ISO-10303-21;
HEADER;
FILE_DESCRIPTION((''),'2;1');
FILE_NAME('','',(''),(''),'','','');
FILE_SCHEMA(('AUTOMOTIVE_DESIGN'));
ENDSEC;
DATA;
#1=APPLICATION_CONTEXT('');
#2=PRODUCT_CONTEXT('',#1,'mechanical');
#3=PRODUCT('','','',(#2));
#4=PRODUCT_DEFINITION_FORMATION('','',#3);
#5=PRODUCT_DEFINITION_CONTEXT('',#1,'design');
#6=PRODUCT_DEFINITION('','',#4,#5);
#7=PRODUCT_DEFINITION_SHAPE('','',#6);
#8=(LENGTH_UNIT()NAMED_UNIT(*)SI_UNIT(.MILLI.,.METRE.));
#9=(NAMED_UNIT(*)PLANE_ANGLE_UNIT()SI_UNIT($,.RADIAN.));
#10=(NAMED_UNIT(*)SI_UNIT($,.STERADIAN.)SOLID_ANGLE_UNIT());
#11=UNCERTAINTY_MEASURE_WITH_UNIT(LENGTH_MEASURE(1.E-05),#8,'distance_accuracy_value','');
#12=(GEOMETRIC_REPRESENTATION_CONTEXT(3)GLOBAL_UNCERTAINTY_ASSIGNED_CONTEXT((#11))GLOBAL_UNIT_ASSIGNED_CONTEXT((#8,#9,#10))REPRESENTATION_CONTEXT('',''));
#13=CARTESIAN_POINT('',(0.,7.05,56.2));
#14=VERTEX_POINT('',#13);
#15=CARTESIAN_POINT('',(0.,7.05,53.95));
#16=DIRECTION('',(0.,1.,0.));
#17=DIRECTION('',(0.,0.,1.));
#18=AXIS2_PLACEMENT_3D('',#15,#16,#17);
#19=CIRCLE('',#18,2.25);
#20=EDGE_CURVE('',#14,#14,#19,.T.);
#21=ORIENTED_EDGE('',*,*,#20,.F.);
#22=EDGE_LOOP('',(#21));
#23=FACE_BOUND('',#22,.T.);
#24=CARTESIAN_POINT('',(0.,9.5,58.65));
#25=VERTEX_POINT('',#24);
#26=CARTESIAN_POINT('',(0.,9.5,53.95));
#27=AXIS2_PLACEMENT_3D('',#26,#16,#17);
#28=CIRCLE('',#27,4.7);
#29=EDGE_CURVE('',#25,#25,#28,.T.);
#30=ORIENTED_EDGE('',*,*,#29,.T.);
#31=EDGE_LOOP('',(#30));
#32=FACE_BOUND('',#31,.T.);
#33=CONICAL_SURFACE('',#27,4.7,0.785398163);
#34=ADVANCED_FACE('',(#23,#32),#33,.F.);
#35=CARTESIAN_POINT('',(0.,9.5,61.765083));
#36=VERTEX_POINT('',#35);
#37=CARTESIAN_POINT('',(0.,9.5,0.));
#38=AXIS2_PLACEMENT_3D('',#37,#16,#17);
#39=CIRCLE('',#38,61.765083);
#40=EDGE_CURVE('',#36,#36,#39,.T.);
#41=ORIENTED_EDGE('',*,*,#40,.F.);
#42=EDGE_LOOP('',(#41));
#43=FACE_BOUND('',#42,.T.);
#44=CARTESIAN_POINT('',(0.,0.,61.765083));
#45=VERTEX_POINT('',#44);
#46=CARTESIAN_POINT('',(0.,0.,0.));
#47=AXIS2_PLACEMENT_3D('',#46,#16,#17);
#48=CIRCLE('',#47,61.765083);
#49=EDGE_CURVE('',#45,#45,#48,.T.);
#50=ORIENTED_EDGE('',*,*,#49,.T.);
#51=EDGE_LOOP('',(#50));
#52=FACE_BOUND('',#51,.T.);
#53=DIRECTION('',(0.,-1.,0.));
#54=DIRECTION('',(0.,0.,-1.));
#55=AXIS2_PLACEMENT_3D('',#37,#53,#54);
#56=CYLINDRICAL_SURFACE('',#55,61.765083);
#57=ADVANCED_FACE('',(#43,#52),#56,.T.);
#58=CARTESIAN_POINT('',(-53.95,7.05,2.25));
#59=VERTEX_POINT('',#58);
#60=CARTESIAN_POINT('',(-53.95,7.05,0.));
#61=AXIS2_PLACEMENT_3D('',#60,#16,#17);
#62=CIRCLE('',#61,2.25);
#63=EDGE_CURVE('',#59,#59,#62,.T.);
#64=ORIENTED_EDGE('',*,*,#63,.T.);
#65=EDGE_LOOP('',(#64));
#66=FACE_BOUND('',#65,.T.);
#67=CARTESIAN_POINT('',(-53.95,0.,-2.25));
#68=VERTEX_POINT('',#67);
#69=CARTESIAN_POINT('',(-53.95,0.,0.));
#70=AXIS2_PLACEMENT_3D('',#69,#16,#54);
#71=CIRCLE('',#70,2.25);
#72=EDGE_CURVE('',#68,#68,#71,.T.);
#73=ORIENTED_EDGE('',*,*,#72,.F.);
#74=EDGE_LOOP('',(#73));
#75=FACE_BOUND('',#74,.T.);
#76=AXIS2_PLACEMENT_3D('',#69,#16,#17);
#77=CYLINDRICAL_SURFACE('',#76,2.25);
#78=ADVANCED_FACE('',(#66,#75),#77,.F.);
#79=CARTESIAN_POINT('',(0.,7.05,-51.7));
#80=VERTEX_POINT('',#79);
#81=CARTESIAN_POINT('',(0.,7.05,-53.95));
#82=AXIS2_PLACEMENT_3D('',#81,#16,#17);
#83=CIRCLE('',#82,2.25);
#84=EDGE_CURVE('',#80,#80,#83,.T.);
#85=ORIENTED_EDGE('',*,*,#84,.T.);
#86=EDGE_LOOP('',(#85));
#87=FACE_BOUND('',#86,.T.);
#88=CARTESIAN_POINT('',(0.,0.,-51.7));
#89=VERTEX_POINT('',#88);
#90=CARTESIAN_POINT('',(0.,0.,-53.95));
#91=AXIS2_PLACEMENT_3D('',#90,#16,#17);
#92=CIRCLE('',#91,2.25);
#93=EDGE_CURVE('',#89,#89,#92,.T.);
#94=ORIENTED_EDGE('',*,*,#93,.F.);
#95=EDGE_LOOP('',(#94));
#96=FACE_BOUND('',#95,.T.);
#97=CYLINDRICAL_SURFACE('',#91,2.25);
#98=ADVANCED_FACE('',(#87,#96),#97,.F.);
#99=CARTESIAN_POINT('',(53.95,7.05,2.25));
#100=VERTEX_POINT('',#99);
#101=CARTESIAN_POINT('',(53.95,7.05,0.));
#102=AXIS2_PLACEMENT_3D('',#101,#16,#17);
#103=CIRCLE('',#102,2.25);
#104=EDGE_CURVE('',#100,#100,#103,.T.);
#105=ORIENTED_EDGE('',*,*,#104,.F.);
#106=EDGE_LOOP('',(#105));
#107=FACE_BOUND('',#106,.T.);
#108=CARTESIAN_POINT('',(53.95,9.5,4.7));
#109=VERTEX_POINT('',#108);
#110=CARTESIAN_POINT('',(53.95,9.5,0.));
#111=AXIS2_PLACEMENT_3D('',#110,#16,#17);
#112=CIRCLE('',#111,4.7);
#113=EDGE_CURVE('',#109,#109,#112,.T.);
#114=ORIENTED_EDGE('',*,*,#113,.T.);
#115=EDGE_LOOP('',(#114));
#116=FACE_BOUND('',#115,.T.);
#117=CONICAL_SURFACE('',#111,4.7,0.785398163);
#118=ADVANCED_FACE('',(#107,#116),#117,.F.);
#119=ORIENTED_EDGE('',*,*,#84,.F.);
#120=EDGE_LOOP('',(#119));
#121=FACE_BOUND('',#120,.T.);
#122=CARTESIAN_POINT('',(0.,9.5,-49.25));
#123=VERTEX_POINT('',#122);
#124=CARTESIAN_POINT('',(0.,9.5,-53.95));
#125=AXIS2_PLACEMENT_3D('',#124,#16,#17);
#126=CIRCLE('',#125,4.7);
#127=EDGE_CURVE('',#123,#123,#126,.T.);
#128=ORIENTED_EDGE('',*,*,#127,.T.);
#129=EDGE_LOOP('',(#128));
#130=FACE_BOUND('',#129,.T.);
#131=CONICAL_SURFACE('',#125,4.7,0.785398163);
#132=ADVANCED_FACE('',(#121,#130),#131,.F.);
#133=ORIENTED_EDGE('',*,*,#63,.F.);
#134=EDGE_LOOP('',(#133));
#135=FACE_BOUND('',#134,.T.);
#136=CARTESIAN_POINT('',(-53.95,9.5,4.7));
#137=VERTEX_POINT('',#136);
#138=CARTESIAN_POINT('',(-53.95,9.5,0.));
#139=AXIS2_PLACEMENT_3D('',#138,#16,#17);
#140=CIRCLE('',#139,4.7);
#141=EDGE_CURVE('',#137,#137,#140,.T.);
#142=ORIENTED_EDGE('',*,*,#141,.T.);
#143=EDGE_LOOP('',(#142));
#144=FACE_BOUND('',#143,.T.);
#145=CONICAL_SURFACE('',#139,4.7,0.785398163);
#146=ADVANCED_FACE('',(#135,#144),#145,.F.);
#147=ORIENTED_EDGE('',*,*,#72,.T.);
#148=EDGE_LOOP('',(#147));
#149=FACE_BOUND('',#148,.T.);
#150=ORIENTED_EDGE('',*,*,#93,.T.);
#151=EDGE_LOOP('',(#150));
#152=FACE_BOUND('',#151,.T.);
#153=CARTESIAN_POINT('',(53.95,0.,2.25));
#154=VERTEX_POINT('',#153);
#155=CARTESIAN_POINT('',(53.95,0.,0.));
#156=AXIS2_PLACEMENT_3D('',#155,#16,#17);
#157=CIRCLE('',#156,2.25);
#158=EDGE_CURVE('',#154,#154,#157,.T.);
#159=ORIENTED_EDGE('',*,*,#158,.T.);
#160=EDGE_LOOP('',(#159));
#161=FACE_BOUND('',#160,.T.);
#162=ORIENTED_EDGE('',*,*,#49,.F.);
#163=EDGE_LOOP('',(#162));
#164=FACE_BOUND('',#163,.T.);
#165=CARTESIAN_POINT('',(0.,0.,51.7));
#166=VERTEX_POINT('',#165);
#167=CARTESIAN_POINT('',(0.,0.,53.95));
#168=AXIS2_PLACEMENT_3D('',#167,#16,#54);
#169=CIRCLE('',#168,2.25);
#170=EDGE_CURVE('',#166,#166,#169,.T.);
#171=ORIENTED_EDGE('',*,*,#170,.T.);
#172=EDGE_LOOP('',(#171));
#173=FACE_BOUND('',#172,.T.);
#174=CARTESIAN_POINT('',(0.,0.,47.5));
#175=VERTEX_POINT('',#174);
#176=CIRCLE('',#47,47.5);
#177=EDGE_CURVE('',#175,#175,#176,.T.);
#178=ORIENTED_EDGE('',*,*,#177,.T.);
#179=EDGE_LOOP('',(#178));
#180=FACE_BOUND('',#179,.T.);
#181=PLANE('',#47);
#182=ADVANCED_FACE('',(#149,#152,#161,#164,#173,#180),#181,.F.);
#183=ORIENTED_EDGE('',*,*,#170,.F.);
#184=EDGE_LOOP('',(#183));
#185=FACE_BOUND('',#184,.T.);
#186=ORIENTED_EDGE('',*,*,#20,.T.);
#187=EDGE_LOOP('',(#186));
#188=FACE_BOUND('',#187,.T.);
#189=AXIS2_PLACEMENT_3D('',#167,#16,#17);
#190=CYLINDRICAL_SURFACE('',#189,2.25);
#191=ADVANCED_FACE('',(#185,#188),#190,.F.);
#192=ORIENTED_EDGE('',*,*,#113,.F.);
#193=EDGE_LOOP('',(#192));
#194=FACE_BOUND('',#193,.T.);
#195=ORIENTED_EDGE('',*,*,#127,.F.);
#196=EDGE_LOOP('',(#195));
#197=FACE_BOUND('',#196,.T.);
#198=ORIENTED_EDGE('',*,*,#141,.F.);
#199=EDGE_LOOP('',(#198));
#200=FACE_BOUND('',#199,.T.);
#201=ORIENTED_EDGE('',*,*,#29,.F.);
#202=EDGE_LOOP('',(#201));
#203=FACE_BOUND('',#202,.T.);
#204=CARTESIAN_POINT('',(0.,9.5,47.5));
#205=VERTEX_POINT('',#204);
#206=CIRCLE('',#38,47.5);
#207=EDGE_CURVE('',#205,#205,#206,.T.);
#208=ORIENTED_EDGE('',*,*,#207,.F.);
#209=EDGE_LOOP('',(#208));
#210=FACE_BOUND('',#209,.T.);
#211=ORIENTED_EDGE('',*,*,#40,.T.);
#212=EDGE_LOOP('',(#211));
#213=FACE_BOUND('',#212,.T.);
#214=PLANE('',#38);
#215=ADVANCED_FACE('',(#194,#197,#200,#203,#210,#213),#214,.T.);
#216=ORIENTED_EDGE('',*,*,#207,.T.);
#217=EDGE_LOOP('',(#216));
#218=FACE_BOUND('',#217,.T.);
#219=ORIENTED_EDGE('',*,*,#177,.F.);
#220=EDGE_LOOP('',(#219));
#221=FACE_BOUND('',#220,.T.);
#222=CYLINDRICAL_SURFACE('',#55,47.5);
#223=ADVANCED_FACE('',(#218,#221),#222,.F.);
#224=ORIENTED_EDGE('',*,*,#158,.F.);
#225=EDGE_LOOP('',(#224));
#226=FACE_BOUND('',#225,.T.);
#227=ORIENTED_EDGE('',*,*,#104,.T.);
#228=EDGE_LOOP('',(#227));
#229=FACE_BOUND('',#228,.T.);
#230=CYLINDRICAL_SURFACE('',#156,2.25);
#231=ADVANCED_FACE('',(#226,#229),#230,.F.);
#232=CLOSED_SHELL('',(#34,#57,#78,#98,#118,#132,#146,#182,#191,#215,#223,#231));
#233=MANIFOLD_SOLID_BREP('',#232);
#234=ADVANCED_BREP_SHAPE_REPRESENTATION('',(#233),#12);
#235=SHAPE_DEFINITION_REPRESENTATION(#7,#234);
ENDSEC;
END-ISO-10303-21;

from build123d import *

# Parameters (mm, degrees)
SKETCH1_R                                           = 61.765082955
SKETCH1_R_2                                         = 47.5
BOSS_EXTRUDE1_DEPTH                                 = 9.5
SKETCH7_R                                           = 2.25
CUT_EXTRUDE1_DEPTH                                  = 9.5
CSK_FOR_M4_COUNTERSUNK_FLAT_HEAD_SCREW1_D           = 4.5
CSK_FOR_M4_COUNTERSUNK_FLAT_HEAD_SCREW1_CSINK_D     = 9.4
CSK_FOR_M4_COUNTERSUNK_FLAT_HEAD_SCREW1_CSINK_ANGLE = 90


with BuildPart() as part:
    # Sketch1 → Boss-Extrude1 (new body)
    with BuildSketch(Plane(origin=(0, 0, 0), x_dir=(1, 0, 0), z_dir=(0, 1, 0))):
        with Locations(Location((0, 0, 0), (0, 0, 270))):
            Circle(SKETCH1_R)
        with Locations(Location((0, 0, 0), (0, 0, 270))):
            Circle(SKETCH1_R_2, mode=Mode.SUBTRACT)
    extrude(amount=BOSS_EXTRUDE1_DEPTH)

    # Sketch7 → Cut-Extrude1 (cut)
    with BuildSketch(Plane(origin=(0, 9.5, 0), x_dir=(1, 0, 0), z_dir=(0, 1, 0))):
        with Locations(Location((0, 53.95, 0), (0, 0, 270))):
            Circle(SKETCH7_R)
        with Locations(Location((0, -53.95, 0), (0, 0, 90))):
            Circle(SKETCH7_R)
        with Locations(Location((53.95, 0, 0), (0, 0, 270))):
            Circle(SKETCH7_R)
        with Locations(Location((-53.95, 0, 0), (0, 0, 90))):
            Circle(SKETCH7_R)
    extrude(amount=-CUT_EXTRUDE1_DEPTH, mode=Mode.SUBTRACT)

    # CSK for M4 Countersunk Flat Head Screw1 (through all)
    with Locations(Plane(origin=(0, 9.5, 53.95), x_dir=(0, 0, 1), z_dir=(0, 1, 0))):
        with Locations((0, 0), (-53.95, -53.95), (-107.9, 0), (-53.95, 53.95)):
            CounterSinkHole(CSK_FOR_M4_COUNTERSUNK_FLAT_HEAD_SCREW1_D / 2, CSK_FOR_M4_COUNTERSUNK_FLAT_HEAD_SCREW1_CSINK_D / 2, counter_sink_angle=CSK_FOR_M4_COUNTERSUNK_FLAT_HEAD_SCREW1_CSINK_ANGLE)


solid = part.part
